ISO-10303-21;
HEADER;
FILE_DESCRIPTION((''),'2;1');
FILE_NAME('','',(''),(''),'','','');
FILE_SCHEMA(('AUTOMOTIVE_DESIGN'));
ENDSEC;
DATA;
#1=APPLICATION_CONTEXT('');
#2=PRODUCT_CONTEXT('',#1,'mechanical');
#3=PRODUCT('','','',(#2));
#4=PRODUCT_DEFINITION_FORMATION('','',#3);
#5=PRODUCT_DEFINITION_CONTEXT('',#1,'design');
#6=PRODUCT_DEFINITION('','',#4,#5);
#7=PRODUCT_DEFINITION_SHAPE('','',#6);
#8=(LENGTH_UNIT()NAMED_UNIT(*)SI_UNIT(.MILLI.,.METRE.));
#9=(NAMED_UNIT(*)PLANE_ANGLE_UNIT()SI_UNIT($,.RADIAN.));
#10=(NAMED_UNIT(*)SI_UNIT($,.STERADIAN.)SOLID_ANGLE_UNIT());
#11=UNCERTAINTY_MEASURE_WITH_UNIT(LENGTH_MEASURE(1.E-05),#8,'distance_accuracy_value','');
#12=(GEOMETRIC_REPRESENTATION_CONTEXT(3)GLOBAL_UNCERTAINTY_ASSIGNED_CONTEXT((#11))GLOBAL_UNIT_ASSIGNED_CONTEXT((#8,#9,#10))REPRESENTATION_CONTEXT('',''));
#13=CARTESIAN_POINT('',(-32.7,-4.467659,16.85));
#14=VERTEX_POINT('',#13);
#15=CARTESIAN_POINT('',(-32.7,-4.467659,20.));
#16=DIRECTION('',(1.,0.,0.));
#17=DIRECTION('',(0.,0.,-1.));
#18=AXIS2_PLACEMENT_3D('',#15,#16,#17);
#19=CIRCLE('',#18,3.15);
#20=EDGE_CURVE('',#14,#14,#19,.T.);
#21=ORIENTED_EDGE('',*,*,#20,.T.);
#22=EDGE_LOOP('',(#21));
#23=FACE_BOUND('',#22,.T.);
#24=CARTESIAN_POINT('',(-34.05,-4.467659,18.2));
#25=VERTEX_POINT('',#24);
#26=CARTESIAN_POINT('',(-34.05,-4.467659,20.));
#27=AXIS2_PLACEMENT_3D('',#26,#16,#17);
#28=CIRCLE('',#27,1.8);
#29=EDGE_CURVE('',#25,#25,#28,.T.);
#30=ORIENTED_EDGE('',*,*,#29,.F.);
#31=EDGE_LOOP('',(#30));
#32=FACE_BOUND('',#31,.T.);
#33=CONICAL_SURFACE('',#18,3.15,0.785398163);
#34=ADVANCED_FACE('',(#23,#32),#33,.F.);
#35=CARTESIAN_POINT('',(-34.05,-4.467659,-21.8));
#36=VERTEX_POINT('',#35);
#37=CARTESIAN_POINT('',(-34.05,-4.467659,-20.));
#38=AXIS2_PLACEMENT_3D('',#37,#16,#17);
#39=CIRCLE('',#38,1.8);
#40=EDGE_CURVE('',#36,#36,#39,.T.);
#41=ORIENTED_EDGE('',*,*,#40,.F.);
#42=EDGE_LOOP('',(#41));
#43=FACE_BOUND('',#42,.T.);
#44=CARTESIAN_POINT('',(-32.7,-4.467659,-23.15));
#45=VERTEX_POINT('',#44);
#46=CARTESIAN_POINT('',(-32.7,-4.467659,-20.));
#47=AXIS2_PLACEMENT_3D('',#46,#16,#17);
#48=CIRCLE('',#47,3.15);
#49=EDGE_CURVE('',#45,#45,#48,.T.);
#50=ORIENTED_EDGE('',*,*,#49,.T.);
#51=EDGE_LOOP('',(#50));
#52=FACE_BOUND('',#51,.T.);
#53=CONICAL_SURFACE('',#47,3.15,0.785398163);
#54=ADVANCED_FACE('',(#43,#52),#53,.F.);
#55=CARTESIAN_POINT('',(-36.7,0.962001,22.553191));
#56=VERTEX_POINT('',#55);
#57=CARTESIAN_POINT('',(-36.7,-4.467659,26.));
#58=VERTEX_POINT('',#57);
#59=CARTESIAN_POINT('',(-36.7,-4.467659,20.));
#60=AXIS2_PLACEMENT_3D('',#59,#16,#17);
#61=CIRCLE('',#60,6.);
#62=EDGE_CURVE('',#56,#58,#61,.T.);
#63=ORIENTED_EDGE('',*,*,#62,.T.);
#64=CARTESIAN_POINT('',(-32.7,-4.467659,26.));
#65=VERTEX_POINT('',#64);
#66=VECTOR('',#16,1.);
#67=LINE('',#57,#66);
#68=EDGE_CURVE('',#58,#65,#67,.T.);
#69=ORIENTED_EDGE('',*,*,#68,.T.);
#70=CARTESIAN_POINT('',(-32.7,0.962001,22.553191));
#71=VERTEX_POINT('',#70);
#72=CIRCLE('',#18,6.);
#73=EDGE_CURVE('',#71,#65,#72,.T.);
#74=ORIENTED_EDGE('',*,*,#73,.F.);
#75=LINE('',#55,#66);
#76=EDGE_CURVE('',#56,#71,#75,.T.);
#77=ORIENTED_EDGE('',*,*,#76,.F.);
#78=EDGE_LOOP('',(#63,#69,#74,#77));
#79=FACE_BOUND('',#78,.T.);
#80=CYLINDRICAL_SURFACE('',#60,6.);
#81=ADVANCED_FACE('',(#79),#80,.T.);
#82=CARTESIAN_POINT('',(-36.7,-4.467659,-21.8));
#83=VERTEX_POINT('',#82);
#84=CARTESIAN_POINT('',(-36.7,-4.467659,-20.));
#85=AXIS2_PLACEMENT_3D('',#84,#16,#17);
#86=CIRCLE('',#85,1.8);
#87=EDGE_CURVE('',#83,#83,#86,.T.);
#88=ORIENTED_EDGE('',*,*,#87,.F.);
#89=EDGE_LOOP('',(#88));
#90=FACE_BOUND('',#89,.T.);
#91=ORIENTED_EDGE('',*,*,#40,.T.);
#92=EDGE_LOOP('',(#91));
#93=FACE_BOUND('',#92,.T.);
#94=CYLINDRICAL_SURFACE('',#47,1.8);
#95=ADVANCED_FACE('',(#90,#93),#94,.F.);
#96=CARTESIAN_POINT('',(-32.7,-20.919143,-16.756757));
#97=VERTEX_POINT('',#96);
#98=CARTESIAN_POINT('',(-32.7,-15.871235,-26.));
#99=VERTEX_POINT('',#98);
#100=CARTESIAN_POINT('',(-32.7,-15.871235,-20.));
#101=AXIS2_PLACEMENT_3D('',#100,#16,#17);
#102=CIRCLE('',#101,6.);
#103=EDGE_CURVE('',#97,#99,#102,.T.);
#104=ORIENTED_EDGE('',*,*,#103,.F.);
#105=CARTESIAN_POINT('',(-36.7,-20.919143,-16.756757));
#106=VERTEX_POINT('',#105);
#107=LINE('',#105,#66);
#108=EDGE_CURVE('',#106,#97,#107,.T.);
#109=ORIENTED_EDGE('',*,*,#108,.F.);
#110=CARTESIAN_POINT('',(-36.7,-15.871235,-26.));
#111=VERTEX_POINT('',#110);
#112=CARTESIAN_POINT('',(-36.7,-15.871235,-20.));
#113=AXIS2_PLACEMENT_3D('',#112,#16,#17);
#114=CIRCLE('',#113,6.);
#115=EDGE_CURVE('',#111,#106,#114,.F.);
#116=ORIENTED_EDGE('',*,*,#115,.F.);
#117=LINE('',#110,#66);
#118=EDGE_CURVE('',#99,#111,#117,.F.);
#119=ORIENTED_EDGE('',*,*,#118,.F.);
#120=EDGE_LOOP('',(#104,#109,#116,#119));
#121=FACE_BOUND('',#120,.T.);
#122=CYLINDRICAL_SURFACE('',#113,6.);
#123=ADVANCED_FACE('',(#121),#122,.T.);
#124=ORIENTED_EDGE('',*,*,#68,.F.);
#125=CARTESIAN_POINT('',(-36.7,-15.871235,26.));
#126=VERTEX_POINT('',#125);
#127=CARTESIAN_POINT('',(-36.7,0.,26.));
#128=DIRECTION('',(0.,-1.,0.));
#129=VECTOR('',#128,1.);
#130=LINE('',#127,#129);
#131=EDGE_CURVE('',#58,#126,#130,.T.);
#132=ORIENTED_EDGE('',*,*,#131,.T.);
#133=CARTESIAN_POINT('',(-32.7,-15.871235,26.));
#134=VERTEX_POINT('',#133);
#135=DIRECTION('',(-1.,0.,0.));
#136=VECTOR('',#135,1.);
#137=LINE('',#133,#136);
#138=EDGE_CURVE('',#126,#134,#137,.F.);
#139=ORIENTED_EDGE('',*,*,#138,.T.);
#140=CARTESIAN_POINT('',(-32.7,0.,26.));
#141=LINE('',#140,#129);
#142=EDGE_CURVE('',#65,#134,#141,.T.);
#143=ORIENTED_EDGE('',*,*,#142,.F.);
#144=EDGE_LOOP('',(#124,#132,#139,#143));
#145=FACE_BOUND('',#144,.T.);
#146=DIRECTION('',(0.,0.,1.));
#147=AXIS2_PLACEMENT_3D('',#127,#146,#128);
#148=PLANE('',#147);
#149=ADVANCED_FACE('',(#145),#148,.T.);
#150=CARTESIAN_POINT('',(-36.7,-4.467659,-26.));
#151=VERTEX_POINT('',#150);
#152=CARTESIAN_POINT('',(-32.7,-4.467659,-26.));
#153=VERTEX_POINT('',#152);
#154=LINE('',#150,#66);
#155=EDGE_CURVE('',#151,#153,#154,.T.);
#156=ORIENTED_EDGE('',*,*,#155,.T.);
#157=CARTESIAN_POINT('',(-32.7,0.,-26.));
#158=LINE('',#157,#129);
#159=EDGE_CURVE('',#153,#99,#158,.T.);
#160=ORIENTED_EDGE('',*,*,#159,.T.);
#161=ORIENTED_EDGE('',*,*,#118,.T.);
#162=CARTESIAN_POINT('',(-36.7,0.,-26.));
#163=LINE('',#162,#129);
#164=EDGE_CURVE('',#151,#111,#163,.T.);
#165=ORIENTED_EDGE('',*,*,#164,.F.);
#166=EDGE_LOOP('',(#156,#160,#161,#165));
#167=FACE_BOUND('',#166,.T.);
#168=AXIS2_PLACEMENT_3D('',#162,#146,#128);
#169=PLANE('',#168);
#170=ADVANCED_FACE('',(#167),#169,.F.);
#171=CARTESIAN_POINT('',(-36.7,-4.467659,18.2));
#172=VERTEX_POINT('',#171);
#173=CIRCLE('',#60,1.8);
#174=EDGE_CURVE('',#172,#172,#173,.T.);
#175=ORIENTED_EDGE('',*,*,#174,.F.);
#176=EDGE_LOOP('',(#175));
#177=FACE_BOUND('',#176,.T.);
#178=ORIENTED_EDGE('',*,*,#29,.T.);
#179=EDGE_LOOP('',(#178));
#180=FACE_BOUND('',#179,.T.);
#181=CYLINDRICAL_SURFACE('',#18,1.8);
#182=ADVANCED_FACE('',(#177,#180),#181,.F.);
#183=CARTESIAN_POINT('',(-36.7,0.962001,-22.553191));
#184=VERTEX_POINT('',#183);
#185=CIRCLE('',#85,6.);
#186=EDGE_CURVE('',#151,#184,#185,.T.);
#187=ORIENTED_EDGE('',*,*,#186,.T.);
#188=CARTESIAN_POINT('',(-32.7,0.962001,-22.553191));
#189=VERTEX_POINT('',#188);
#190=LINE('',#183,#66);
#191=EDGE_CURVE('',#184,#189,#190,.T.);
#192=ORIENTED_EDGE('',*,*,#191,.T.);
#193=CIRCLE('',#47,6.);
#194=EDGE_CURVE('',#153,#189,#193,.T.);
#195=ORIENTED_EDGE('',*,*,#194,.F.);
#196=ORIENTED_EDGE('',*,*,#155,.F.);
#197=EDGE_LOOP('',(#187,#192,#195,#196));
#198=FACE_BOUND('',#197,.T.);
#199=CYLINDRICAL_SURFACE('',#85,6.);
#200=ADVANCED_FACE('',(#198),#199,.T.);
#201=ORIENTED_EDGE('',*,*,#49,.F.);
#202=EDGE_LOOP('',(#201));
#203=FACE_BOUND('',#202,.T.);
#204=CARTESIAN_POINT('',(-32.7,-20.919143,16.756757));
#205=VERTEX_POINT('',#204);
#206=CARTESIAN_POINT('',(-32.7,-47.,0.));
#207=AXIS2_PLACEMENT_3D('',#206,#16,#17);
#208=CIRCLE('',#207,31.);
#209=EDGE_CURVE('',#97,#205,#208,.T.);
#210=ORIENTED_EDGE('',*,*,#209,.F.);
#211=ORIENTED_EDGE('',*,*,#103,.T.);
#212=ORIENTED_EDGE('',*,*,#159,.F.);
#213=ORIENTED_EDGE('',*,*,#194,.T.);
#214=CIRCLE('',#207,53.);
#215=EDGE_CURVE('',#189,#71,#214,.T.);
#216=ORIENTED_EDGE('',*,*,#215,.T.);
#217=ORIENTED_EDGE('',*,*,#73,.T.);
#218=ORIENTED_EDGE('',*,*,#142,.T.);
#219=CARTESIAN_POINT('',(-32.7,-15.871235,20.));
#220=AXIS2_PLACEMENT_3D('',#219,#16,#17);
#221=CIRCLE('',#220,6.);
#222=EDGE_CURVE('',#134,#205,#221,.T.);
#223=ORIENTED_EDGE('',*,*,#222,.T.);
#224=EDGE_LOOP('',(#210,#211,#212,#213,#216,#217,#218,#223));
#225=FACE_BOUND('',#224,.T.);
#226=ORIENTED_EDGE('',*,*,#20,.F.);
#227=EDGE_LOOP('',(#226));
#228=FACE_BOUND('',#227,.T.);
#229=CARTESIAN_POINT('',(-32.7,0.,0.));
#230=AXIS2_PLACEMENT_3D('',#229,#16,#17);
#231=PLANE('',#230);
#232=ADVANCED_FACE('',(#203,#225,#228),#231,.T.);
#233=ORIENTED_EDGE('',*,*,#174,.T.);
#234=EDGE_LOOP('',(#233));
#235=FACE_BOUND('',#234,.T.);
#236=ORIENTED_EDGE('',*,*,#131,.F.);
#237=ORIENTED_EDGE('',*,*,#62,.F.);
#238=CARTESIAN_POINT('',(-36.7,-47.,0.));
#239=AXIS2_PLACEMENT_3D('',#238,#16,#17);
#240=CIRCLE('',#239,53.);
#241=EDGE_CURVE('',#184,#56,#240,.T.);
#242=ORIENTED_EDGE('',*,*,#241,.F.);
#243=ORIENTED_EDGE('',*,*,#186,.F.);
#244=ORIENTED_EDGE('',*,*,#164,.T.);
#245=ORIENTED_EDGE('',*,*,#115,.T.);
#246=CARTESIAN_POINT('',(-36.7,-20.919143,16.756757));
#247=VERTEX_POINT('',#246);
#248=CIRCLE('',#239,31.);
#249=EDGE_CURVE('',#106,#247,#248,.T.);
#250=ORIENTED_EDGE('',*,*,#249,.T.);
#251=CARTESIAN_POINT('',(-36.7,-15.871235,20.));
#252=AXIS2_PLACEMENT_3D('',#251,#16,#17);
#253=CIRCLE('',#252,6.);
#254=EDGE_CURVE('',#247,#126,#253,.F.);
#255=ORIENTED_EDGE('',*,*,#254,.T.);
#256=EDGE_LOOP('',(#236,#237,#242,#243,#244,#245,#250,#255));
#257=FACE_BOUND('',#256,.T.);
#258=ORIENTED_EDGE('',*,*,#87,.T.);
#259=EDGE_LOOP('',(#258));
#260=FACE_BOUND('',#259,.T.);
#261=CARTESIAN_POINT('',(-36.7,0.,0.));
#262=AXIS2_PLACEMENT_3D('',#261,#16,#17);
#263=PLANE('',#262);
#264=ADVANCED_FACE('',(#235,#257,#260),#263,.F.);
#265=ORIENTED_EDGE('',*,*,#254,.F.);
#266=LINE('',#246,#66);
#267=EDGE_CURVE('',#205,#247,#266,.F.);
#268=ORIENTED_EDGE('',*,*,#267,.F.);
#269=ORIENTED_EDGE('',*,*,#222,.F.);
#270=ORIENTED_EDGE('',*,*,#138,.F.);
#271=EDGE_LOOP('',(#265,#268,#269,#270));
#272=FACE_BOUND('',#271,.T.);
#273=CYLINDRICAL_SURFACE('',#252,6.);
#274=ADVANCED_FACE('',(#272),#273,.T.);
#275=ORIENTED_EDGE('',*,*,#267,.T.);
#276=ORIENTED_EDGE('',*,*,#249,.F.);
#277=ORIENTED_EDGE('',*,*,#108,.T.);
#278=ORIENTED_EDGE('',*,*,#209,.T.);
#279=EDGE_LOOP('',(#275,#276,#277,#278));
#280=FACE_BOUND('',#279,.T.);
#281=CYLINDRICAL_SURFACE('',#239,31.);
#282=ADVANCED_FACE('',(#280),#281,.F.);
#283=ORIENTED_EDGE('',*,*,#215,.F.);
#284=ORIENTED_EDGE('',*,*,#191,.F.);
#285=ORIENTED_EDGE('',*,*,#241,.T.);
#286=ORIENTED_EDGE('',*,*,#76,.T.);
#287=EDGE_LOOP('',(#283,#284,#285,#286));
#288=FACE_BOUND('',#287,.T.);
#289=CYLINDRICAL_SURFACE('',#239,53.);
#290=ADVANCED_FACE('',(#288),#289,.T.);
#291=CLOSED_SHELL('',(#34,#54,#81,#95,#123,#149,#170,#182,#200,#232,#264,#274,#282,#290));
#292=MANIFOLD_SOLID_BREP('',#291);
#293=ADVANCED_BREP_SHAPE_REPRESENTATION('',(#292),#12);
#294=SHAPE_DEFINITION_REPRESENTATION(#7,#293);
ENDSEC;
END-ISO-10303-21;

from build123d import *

# Parameters (mm, degrees)
BOSS_EXTRUDE1_START                             = -32.7
SKETCH2_R                                       = 3
BOSS_EXTRUDE1_DEPTH                             = 4
FILLET1_R                                       = 6
CSK_FOR_M3_FLAT_HEAD_MACHINE_SCREW1_D           = 3.6
CSK_FOR_M3_FLAT_HEAD_MACHINE_SCREW1_CSINK_D     = 6.3
CSK_FOR_M3_FLAT_HEAD_MACHINE_SCREW1_CSINK_ANGLE = 90


with BuildPart() as part:
    # Sketch2 → Boss-Extrude1 (new body)
    # profile 1 of 4: a face of its own
    with BuildSketch(Plane(origin=(0, 0, 0), x_dir=(0, 0, -1), z_dir=(1, 0, 0)).offset(BOSS_EXTRUDE1_START)):
        with BuildLine():
            Line((26, -4.467659364), (26, -30.118056984))
            ThreePointArc((26, -30.118056984), (0, -16), (-26, -30.118056984))
            Line((-26, -30.118056984), (-26, -4.467659364))
            ThreePointArc((-26, -4.467659364), (-25.065528054, -1.252006159), (-22.553191489, 0.962001143))
            ThreePointArc((-22.553191489, 0.962001143), (0, 6), (22.553191489, 0.962001143))
            ThreePointArc((22.553191489, 0.962001143), (25.065528054, -1.252006159), (26, -4.467659364))
        make_face()
        with Locations((15, -2.457885097)):
            Circle(SKETCH2_R, mode=Mode.SUBTRACT)
        Circle(SKETCH2_R, mode=Mode.SUBTRACT)
        with Locations((-15, -2.457885097)):
            Circle(SKETCH2_R, mode=Mode.SUBTRACT)
    # profile 2 of 4: a face of its own
    with BuildSketch(Plane(origin=(0, 0, 0), x_dir=(0, 0, -1), z_dir=(1, 0, 0)).offset(BOSS_EXTRUDE1_START)):
        with Locations((-15, -2.457885097)):
            Circle(SKETCH2_R)
    # profile 3 of 4: a face of its own
    with BuildSketch(Plane(origin=(0, 0, 0), x_dir=(0, 0, -1), z_dir=(1, 0, 0)).offset(BOSS_EXTRUDE1_START)):
        Circle(SKETCH2_R)
    # profile 4 of 4: a face of its own
    with BuildSketch(Plane(origin=(0, 0, 0), x_dir=(0, 0, -1), z_dir=(1, 0, 0)).offset(BOSS_EXTRUDE1_START)):
        with Locations((15, -2.457885097)):
            Circle(SKETCH2_R)
    extrude(amount=-BOSS_EXTRUDE1_DEPTH)

    # Fillet1
    fillet1_edges = [part.edges().sort_by_distance(p)[0] for p in [
        (-34.7, -30.118056984, -26),
        (-34.7, -30.118056984, 26),
    ]]
    fillet(fillet1_edges, radius=FILLET1_R)

    # CSK for M3 Flat Head Machine Screw1 (through all)
    with Locations(Plane(origin=(-32.7, 0, 0), x_dir=(0, 0, -1), z_dir=(1, 0, 0))):
        with Locations((-20, -4.467659364), (20, -4.467659364)):
            CounterSinkHole(CSK_FOR_M3_FLAT_HEAD_MACHINE_SCREW1_D / 2, CSK_FOR_M3_FLAT_HEAD_MACHINE_SCREW1_CSINK_D / 2, counter_sink_angle=CSK_FOR_M3_FLAT_HEAD_MACHINE_SCREW1_CSINK_ANGLE)


solid = part.part
